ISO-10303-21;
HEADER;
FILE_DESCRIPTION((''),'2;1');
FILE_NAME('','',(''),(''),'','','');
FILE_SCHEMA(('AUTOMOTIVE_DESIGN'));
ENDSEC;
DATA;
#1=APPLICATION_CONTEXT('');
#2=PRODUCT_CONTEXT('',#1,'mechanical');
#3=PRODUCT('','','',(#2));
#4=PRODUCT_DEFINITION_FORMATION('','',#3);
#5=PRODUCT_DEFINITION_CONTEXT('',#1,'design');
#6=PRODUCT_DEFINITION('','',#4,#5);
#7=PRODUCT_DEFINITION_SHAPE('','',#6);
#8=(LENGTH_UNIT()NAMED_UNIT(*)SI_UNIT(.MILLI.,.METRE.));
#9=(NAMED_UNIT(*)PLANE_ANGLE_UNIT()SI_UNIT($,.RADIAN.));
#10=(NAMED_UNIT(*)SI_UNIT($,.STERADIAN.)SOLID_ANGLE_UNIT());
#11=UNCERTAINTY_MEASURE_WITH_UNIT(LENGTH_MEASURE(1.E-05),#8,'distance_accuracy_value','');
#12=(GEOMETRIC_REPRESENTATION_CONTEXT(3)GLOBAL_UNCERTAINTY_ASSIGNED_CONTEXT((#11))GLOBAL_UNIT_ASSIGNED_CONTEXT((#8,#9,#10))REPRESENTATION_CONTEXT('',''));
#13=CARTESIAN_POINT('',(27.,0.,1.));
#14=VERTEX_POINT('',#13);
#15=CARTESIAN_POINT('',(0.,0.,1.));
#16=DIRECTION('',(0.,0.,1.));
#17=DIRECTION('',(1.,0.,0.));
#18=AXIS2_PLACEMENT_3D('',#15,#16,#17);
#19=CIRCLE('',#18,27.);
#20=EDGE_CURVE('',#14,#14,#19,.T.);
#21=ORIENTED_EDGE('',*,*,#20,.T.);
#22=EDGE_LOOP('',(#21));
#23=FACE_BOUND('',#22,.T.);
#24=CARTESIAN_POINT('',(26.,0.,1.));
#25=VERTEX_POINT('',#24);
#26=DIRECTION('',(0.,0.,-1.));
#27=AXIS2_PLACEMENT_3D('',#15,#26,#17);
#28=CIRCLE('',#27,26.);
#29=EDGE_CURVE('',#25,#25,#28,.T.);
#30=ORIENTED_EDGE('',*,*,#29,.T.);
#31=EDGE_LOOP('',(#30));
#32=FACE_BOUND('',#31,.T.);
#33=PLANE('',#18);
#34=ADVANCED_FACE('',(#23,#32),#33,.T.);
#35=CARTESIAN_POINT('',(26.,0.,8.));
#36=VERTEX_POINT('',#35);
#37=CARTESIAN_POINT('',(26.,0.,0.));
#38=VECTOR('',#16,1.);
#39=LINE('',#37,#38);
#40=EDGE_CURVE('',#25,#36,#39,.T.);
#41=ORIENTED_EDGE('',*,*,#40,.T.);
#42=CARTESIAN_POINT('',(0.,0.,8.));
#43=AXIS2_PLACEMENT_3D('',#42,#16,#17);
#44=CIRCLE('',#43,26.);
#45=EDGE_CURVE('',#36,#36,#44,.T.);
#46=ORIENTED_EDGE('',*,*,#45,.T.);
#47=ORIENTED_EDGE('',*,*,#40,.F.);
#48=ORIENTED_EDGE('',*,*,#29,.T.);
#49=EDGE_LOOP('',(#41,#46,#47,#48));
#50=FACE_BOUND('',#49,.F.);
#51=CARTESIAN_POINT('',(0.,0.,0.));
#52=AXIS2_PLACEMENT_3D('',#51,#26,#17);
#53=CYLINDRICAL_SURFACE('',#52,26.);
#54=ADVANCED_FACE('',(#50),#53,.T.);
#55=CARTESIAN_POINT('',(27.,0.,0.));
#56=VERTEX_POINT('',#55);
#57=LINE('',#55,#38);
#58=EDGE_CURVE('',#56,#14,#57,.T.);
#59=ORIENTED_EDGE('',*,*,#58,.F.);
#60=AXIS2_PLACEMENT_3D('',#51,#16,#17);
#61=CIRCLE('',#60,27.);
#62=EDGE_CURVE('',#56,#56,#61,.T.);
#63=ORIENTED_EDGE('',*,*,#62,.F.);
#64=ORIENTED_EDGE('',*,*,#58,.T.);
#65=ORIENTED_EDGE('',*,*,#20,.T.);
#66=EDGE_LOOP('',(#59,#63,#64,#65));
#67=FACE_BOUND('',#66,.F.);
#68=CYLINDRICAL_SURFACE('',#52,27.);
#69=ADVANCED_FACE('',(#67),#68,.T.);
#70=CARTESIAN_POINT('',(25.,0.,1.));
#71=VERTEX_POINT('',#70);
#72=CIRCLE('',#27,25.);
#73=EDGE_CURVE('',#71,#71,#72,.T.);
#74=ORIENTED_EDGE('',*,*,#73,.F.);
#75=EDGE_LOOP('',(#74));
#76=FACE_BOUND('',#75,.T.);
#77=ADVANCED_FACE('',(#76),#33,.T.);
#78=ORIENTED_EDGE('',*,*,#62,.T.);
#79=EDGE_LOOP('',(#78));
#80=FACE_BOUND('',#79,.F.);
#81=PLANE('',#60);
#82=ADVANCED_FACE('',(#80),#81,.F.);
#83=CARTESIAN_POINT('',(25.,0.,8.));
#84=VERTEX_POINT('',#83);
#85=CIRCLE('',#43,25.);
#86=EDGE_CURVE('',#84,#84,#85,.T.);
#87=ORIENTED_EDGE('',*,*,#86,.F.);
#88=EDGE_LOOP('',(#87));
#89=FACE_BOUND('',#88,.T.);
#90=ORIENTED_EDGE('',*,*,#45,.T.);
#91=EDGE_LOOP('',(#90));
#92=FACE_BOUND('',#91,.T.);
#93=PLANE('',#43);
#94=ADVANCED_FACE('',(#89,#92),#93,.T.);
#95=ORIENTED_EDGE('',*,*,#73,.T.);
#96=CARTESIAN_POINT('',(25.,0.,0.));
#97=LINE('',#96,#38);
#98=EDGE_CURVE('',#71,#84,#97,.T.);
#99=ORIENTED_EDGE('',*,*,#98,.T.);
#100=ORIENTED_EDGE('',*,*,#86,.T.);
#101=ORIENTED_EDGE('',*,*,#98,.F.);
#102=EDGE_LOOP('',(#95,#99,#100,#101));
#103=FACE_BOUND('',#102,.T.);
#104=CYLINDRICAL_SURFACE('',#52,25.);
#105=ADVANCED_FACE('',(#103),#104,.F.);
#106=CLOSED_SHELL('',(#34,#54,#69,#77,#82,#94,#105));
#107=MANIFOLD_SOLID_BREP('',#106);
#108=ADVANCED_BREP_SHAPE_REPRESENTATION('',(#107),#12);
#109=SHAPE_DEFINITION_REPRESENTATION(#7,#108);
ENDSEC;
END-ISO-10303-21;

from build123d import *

# Parameters (mm, degrees)
F0_R     = 27
F0_R_2   = 26
F0_R_3   = 25
F1_DEPTH = 1
F2_DEPTH = 8


with BuildPart() as f1:
    # F0 (on Top) → F1 (new body)
    with BuildSketch(Plane.XY):
        Circle(F0_R)
        Circle(F0_R_2, mode=Mode.SUBTRACT)
        Circle(F0_R_2)
        Circle(F0_R_3, mode=Mode.SUBTRACT)
        Circle(F0_R_3)
    extrude(amount=F1_DEPTH)

    # F0 (on Top) → F2 (join)
    with BuildSketch(Plane.XY):
        Circle(F0_R_2)
        Circle(F0_R_3, mode=Mode.SUBTRACT)
    extrude(amount=F2_DEPTH)


solid = f1.part
